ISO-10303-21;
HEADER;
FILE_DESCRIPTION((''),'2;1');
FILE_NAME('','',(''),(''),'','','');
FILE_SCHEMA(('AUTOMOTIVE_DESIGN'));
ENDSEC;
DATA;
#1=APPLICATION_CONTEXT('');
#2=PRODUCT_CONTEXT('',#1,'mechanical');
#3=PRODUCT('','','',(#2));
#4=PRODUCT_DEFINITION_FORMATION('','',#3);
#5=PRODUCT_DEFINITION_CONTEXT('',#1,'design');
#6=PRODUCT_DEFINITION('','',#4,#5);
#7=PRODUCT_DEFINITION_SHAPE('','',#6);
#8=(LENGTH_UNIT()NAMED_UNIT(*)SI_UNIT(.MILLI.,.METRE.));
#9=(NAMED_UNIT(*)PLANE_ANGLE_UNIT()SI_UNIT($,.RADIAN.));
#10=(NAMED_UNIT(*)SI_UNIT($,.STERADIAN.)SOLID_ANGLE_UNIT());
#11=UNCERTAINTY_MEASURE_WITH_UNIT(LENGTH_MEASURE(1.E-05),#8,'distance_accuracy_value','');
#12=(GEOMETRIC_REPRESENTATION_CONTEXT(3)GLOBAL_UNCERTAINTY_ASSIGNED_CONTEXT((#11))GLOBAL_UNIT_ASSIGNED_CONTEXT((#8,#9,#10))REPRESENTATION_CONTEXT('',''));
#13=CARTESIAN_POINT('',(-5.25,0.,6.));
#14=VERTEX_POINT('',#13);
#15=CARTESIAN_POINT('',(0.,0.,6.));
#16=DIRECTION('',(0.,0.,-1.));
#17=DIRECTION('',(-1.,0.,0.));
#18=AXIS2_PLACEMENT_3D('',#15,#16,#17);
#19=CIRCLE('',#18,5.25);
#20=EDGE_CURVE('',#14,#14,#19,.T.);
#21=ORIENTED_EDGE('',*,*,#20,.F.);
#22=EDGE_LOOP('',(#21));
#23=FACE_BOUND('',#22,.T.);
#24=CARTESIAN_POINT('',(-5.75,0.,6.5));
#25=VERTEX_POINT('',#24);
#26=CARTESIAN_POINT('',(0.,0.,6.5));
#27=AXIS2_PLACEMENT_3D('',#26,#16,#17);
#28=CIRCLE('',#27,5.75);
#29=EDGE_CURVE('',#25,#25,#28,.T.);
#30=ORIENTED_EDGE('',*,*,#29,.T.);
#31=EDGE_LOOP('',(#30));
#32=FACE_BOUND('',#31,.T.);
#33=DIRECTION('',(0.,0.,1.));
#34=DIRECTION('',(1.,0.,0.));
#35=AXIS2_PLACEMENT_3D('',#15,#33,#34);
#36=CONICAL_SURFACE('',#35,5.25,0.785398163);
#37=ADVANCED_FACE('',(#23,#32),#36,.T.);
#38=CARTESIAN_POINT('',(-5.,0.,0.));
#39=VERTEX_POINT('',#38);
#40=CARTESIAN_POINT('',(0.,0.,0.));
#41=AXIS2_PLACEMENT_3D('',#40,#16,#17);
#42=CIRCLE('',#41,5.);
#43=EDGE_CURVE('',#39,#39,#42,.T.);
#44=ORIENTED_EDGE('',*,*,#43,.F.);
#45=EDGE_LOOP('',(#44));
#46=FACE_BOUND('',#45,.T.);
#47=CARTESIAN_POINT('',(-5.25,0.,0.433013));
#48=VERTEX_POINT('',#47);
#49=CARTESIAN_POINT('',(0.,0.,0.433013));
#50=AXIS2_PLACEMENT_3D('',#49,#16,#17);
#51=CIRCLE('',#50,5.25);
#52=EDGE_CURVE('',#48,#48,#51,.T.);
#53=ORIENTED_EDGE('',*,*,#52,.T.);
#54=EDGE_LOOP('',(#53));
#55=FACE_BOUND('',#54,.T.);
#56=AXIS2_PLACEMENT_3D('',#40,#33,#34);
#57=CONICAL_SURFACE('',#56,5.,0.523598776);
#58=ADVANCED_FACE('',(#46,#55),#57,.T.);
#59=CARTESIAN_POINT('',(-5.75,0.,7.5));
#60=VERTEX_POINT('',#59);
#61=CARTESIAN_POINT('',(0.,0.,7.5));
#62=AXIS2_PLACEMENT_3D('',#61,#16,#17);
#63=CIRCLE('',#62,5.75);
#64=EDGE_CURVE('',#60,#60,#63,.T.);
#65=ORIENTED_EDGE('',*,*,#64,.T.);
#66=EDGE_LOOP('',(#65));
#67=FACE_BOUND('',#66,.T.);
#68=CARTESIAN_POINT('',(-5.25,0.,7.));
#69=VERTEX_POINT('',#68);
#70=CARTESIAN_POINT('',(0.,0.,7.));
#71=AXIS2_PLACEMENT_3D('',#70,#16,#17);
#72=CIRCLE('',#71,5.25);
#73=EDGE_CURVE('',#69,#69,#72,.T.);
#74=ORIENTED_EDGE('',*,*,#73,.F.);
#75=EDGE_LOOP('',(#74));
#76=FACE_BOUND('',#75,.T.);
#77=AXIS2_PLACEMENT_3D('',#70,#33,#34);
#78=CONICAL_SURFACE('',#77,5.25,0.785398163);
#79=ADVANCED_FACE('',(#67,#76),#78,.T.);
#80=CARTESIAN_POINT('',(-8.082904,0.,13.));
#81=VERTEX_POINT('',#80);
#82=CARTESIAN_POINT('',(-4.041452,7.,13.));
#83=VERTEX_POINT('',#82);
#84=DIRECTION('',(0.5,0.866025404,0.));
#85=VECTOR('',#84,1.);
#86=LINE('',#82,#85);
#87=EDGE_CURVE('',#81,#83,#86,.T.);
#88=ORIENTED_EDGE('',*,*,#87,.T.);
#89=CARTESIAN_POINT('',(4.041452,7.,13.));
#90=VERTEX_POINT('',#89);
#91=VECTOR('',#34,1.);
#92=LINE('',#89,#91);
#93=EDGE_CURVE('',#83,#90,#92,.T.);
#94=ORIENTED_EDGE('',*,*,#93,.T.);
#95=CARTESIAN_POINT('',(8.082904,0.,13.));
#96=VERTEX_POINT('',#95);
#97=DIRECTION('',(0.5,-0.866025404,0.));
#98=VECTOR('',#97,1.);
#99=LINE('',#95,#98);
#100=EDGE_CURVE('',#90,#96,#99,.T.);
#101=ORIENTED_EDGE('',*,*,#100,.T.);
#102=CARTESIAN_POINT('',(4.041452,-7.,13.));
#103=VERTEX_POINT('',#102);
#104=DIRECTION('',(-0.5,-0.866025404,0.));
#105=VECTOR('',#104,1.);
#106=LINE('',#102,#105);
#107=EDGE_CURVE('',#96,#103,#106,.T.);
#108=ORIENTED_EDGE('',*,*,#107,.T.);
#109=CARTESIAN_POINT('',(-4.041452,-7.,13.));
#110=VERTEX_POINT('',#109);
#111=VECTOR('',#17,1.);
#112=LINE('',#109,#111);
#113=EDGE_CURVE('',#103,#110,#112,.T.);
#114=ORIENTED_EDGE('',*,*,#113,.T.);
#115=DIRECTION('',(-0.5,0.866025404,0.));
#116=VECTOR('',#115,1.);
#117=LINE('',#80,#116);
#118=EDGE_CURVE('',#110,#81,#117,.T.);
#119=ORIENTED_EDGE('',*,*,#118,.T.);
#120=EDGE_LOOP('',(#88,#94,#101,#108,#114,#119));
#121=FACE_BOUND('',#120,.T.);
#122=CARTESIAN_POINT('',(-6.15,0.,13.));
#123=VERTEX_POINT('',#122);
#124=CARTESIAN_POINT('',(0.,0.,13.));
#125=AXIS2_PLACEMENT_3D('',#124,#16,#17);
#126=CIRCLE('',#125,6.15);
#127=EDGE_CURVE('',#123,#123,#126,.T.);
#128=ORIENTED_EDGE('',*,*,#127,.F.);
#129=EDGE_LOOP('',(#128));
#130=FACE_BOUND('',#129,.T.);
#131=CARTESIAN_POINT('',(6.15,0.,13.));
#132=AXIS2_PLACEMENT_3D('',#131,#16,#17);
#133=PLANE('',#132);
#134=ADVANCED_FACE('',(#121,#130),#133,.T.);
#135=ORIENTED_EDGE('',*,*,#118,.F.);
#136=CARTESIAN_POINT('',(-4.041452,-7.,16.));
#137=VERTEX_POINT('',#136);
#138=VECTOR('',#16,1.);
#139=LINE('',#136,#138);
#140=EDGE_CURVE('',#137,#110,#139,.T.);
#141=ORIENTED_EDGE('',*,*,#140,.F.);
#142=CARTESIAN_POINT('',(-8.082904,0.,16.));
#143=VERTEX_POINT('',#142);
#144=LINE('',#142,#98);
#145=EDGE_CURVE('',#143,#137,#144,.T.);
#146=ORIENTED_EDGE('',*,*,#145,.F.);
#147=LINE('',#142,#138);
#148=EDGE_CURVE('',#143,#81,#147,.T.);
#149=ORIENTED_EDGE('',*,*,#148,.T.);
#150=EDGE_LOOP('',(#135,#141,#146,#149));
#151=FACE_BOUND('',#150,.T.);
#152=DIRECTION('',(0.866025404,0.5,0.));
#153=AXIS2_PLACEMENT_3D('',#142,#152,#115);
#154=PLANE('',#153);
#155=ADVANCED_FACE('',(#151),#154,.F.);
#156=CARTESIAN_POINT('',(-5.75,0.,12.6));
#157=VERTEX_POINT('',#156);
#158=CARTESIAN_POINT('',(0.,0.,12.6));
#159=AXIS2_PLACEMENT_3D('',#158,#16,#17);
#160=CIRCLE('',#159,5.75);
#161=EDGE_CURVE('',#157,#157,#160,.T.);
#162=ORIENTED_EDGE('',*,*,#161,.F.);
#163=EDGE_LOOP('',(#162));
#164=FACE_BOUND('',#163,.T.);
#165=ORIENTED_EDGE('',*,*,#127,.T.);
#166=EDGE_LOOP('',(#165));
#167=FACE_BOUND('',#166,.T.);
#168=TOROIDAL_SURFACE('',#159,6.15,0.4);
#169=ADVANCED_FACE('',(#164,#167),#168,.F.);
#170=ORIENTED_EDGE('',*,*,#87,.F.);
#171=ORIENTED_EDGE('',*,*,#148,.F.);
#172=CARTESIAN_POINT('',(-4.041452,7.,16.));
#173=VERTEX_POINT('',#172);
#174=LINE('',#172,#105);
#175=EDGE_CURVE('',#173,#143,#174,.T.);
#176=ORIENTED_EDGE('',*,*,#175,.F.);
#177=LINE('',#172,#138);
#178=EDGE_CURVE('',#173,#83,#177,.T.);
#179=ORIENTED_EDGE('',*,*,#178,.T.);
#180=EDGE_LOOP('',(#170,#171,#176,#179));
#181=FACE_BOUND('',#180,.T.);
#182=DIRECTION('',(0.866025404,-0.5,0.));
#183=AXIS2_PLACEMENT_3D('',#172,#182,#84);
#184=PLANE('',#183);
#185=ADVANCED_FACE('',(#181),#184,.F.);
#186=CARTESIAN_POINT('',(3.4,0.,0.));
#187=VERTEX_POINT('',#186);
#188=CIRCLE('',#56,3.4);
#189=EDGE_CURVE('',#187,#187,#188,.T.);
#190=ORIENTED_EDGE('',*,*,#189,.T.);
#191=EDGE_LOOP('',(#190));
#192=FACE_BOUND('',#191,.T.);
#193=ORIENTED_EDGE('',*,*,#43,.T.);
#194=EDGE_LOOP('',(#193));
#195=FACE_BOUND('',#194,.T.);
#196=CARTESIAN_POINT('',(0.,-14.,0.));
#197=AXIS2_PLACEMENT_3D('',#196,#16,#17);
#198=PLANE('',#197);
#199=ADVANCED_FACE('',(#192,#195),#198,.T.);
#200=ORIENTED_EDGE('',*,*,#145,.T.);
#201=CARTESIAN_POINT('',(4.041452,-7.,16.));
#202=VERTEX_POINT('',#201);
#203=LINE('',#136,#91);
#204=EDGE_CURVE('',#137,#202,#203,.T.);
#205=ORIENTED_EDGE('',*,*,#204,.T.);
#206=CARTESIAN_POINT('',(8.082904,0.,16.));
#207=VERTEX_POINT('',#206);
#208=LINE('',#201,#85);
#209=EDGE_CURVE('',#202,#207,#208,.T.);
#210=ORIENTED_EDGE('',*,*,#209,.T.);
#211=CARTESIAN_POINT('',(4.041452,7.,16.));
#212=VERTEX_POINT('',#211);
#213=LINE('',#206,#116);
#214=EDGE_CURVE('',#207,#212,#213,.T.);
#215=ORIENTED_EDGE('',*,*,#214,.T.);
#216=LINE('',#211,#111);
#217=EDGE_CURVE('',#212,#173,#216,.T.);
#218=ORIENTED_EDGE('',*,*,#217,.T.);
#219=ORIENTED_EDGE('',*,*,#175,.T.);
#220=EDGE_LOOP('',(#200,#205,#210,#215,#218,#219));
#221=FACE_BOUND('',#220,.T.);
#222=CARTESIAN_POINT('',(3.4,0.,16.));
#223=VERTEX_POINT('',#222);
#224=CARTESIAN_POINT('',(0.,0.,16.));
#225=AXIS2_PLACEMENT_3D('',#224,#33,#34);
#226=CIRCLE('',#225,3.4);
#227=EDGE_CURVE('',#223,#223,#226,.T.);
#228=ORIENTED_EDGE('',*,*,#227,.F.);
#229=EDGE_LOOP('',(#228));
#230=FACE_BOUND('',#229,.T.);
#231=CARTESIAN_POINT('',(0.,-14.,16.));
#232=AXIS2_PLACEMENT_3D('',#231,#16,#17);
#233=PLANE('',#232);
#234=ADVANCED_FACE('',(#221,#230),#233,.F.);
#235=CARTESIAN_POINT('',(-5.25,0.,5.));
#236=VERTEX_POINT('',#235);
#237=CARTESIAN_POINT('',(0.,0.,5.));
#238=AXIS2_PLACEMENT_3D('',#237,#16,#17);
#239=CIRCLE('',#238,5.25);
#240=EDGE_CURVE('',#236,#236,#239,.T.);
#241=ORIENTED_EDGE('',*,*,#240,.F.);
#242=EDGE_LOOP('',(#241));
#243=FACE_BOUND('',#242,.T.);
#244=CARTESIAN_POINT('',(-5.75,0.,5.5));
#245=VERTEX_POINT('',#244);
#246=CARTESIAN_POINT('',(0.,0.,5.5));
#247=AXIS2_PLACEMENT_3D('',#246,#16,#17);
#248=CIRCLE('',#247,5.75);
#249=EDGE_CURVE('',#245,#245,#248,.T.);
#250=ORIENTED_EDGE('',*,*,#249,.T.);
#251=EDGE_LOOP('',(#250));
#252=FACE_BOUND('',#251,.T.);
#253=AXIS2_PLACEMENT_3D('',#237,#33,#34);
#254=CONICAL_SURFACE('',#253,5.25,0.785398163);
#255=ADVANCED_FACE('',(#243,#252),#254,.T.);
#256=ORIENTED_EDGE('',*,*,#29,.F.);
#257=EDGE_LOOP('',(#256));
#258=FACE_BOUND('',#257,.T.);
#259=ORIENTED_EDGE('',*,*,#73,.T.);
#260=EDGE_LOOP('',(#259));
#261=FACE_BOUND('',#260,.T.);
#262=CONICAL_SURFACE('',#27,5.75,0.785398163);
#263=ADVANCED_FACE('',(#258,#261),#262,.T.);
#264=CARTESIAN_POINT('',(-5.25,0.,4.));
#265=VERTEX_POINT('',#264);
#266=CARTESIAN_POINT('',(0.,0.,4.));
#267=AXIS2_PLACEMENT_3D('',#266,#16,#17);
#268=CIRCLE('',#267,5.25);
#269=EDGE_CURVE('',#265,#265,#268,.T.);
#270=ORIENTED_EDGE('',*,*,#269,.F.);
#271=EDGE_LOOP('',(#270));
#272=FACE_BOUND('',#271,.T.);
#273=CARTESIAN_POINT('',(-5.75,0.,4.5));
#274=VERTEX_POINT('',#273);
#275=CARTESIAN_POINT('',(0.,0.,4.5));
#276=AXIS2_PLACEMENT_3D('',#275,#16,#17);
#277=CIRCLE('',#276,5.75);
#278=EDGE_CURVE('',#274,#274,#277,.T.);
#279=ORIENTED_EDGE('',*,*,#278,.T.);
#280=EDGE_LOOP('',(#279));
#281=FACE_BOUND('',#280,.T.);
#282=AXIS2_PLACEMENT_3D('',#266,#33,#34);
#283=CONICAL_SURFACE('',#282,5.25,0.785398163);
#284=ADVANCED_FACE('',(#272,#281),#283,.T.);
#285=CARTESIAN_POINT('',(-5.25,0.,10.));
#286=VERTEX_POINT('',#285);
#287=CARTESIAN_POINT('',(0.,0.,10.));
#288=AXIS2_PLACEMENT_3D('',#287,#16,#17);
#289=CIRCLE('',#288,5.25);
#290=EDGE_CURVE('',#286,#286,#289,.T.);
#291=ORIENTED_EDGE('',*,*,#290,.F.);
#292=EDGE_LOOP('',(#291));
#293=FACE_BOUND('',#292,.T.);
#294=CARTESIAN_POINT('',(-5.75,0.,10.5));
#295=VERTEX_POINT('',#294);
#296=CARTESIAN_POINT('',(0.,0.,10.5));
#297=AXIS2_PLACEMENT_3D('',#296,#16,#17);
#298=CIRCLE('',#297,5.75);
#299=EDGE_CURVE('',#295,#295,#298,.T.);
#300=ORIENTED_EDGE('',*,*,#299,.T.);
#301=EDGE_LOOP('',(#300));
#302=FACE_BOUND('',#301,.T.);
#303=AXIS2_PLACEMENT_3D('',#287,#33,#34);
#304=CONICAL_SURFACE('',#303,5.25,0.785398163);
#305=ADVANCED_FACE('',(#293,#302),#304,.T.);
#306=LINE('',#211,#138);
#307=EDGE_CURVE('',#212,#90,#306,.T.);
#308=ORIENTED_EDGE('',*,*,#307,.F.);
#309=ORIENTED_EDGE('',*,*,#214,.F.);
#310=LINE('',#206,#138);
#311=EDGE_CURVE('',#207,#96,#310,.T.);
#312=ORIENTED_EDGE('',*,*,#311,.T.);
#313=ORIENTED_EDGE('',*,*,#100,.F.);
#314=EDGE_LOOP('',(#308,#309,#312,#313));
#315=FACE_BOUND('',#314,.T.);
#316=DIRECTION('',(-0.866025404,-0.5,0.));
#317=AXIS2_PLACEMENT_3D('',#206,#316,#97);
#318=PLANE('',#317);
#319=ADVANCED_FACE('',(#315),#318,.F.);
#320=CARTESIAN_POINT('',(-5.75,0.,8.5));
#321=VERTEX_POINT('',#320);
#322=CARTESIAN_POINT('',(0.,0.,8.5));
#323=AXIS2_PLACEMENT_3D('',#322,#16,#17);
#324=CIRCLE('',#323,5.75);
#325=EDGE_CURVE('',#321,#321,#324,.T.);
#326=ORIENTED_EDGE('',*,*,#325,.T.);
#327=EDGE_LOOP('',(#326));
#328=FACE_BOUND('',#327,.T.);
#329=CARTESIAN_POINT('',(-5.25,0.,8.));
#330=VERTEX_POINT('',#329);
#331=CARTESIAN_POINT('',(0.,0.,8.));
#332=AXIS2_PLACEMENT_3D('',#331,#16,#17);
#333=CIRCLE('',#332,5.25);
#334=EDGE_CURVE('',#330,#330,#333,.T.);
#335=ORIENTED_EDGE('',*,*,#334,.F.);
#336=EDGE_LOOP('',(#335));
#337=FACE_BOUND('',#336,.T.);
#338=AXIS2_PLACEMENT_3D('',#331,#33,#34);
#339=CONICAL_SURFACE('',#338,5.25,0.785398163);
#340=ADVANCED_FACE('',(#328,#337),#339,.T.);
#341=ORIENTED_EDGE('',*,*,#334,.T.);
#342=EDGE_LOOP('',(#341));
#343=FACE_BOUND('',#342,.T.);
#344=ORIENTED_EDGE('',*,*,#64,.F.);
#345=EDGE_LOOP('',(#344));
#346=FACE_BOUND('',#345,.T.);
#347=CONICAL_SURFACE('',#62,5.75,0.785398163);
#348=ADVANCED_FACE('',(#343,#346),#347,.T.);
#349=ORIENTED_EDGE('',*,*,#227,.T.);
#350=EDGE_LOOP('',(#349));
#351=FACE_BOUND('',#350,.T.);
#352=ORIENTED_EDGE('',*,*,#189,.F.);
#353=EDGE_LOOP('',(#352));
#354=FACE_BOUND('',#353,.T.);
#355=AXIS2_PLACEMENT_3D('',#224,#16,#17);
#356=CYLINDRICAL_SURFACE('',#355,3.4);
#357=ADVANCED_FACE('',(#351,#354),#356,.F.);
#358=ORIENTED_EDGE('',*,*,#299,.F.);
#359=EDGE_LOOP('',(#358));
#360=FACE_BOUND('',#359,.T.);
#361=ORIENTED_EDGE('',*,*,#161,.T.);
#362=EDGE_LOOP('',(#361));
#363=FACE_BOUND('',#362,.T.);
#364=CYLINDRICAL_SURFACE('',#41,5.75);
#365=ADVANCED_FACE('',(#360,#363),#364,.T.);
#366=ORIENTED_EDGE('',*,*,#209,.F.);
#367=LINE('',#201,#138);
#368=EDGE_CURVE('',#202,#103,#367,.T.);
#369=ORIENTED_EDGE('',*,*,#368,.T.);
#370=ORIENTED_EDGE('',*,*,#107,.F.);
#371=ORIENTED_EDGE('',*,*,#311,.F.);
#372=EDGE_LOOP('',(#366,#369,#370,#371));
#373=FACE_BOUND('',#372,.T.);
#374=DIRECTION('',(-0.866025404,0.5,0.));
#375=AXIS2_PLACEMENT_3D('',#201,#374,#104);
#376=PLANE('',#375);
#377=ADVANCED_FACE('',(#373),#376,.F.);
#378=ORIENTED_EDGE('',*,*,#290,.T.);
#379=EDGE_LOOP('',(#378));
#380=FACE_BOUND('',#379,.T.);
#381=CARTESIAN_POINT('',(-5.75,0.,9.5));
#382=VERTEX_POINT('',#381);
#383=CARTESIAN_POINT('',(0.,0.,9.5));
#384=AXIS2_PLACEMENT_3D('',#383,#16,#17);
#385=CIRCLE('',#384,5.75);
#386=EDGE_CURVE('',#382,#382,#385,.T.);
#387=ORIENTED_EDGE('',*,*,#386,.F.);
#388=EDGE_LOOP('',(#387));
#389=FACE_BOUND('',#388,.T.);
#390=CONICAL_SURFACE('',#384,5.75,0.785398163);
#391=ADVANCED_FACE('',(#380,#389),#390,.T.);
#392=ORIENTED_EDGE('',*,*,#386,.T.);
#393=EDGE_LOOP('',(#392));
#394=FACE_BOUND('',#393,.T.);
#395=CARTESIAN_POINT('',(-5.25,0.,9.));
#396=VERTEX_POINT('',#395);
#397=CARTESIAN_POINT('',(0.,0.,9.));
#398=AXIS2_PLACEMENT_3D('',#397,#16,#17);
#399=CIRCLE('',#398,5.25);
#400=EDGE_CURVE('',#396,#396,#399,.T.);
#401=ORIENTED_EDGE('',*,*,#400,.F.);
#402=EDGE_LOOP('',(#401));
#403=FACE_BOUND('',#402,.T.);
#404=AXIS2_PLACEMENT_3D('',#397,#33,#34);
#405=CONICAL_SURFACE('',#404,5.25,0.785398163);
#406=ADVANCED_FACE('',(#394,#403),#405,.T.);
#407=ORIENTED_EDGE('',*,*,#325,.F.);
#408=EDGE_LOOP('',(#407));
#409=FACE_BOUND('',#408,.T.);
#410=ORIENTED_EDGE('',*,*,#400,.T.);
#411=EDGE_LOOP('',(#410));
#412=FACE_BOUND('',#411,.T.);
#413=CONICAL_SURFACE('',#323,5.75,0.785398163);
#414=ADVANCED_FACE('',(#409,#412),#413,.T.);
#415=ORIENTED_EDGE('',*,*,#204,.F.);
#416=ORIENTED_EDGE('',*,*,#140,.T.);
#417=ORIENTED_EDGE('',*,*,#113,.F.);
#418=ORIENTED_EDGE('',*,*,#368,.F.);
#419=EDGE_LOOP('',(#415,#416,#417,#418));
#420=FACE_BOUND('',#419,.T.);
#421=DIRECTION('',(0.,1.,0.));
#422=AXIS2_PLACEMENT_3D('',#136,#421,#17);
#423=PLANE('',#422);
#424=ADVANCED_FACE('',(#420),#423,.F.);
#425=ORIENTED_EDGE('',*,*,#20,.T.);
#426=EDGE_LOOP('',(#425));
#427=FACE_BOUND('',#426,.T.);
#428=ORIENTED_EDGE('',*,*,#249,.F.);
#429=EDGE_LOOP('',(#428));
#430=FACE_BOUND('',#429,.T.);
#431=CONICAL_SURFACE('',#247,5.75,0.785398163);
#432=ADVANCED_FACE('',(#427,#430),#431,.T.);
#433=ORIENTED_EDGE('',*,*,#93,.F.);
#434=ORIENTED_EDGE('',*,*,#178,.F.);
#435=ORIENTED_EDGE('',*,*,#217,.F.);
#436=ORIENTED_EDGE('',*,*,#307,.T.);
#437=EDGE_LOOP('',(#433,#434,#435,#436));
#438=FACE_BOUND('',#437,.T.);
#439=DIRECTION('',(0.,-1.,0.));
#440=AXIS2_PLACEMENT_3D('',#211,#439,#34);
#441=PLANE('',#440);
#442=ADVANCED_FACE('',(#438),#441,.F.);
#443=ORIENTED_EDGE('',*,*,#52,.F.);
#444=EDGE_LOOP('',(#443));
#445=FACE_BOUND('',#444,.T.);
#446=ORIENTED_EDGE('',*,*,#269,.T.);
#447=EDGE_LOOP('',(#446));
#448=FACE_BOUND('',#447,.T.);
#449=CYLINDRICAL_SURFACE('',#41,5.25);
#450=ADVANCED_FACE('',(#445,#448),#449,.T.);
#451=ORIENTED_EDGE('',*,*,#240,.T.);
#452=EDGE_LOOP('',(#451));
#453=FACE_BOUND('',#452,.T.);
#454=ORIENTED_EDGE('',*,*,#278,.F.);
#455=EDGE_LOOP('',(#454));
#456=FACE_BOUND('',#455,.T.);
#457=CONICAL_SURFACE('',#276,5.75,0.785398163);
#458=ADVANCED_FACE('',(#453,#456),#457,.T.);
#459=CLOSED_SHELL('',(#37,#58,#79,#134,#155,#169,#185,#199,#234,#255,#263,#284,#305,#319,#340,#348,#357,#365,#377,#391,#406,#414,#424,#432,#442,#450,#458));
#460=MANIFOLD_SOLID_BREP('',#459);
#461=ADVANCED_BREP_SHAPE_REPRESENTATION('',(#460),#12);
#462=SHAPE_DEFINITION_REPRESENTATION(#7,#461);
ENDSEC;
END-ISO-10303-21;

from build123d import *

# Parameters (mm, degrees)
SKETCH1_R       = 3.4
EXTRUDE1_DEPTH  = 16
LPATTERN2_COUNT = 6
LPATTERN2_PITCH = 1


with BuildPart() as part:
    # Sketch1 → Extrude1 (new body)
    with BuildSketch(Plane.XY):
        Polygon((8.082903769, 0), (4.041451884, 7), (-4.041451884, 7), (-8.082903769, 0), (-4.041451884, -7), (4.041451884, -7), align=None)
        Circle(SKETCH1_R, mode=Mode.SUBTRACT)
    extrude(amount=EXTRUDE1_DEPTH)

    # Sketch2 → Cut-Revolve1 (revolve, cut)
    with BuildSketch(Plane(origin=(0, 0, 0), x_dir=(1, 0, 0), z_dir=(0, 1, 0))):
        with BuildLine():
            Line((5.75, -4.5), (5.75, -12.6))
            ThreePointArc((5.75, -12.6), (5.867157288, -12.882842712), (6.15, -13))
            Line((6.15, -13), (8.082903769, -13))
            Line((8.082903769, -13), (8.082903769, 0))
            Line((8.082903769, 0), (5, 0))
            Line((5, 0), (5.25, -0.433012702))
            Line((5.25, -0.433012702), (5.25, -4))
            Line((5.25, -4), (5.75, -4.5))
        make_face()
    revolve(axis=Axis((0, 0, 0), (0, 0, 1)), mode=Mode.SUBTRACT)

    # Sketch4 → Cut-Revolve2 (revolve, cut)
    with BuildSketch(Plane(origin=(0, 0, 0), x_dir=(1, 0, 0), z_dir=(0, 1, 0))):
        Polygon((5.75, -4.5), (5.75, -5.5), (5.25, -5), align=None)
    cut_revolve2 = revolve(axis=Axis((0, 0, 0), (0, 0, 1)), mode=Mode.SUBTRACT)

    # LPattern2: Cut-Revolve2 ×6
    with Locations(*[(0, 0, i * LPATTERN2_PITCH) for i in range(1, LPATTERN2_COUNT)]):
        add(cut_revolve2, mode=Mode.SUBTRACT)


solid = part.part
